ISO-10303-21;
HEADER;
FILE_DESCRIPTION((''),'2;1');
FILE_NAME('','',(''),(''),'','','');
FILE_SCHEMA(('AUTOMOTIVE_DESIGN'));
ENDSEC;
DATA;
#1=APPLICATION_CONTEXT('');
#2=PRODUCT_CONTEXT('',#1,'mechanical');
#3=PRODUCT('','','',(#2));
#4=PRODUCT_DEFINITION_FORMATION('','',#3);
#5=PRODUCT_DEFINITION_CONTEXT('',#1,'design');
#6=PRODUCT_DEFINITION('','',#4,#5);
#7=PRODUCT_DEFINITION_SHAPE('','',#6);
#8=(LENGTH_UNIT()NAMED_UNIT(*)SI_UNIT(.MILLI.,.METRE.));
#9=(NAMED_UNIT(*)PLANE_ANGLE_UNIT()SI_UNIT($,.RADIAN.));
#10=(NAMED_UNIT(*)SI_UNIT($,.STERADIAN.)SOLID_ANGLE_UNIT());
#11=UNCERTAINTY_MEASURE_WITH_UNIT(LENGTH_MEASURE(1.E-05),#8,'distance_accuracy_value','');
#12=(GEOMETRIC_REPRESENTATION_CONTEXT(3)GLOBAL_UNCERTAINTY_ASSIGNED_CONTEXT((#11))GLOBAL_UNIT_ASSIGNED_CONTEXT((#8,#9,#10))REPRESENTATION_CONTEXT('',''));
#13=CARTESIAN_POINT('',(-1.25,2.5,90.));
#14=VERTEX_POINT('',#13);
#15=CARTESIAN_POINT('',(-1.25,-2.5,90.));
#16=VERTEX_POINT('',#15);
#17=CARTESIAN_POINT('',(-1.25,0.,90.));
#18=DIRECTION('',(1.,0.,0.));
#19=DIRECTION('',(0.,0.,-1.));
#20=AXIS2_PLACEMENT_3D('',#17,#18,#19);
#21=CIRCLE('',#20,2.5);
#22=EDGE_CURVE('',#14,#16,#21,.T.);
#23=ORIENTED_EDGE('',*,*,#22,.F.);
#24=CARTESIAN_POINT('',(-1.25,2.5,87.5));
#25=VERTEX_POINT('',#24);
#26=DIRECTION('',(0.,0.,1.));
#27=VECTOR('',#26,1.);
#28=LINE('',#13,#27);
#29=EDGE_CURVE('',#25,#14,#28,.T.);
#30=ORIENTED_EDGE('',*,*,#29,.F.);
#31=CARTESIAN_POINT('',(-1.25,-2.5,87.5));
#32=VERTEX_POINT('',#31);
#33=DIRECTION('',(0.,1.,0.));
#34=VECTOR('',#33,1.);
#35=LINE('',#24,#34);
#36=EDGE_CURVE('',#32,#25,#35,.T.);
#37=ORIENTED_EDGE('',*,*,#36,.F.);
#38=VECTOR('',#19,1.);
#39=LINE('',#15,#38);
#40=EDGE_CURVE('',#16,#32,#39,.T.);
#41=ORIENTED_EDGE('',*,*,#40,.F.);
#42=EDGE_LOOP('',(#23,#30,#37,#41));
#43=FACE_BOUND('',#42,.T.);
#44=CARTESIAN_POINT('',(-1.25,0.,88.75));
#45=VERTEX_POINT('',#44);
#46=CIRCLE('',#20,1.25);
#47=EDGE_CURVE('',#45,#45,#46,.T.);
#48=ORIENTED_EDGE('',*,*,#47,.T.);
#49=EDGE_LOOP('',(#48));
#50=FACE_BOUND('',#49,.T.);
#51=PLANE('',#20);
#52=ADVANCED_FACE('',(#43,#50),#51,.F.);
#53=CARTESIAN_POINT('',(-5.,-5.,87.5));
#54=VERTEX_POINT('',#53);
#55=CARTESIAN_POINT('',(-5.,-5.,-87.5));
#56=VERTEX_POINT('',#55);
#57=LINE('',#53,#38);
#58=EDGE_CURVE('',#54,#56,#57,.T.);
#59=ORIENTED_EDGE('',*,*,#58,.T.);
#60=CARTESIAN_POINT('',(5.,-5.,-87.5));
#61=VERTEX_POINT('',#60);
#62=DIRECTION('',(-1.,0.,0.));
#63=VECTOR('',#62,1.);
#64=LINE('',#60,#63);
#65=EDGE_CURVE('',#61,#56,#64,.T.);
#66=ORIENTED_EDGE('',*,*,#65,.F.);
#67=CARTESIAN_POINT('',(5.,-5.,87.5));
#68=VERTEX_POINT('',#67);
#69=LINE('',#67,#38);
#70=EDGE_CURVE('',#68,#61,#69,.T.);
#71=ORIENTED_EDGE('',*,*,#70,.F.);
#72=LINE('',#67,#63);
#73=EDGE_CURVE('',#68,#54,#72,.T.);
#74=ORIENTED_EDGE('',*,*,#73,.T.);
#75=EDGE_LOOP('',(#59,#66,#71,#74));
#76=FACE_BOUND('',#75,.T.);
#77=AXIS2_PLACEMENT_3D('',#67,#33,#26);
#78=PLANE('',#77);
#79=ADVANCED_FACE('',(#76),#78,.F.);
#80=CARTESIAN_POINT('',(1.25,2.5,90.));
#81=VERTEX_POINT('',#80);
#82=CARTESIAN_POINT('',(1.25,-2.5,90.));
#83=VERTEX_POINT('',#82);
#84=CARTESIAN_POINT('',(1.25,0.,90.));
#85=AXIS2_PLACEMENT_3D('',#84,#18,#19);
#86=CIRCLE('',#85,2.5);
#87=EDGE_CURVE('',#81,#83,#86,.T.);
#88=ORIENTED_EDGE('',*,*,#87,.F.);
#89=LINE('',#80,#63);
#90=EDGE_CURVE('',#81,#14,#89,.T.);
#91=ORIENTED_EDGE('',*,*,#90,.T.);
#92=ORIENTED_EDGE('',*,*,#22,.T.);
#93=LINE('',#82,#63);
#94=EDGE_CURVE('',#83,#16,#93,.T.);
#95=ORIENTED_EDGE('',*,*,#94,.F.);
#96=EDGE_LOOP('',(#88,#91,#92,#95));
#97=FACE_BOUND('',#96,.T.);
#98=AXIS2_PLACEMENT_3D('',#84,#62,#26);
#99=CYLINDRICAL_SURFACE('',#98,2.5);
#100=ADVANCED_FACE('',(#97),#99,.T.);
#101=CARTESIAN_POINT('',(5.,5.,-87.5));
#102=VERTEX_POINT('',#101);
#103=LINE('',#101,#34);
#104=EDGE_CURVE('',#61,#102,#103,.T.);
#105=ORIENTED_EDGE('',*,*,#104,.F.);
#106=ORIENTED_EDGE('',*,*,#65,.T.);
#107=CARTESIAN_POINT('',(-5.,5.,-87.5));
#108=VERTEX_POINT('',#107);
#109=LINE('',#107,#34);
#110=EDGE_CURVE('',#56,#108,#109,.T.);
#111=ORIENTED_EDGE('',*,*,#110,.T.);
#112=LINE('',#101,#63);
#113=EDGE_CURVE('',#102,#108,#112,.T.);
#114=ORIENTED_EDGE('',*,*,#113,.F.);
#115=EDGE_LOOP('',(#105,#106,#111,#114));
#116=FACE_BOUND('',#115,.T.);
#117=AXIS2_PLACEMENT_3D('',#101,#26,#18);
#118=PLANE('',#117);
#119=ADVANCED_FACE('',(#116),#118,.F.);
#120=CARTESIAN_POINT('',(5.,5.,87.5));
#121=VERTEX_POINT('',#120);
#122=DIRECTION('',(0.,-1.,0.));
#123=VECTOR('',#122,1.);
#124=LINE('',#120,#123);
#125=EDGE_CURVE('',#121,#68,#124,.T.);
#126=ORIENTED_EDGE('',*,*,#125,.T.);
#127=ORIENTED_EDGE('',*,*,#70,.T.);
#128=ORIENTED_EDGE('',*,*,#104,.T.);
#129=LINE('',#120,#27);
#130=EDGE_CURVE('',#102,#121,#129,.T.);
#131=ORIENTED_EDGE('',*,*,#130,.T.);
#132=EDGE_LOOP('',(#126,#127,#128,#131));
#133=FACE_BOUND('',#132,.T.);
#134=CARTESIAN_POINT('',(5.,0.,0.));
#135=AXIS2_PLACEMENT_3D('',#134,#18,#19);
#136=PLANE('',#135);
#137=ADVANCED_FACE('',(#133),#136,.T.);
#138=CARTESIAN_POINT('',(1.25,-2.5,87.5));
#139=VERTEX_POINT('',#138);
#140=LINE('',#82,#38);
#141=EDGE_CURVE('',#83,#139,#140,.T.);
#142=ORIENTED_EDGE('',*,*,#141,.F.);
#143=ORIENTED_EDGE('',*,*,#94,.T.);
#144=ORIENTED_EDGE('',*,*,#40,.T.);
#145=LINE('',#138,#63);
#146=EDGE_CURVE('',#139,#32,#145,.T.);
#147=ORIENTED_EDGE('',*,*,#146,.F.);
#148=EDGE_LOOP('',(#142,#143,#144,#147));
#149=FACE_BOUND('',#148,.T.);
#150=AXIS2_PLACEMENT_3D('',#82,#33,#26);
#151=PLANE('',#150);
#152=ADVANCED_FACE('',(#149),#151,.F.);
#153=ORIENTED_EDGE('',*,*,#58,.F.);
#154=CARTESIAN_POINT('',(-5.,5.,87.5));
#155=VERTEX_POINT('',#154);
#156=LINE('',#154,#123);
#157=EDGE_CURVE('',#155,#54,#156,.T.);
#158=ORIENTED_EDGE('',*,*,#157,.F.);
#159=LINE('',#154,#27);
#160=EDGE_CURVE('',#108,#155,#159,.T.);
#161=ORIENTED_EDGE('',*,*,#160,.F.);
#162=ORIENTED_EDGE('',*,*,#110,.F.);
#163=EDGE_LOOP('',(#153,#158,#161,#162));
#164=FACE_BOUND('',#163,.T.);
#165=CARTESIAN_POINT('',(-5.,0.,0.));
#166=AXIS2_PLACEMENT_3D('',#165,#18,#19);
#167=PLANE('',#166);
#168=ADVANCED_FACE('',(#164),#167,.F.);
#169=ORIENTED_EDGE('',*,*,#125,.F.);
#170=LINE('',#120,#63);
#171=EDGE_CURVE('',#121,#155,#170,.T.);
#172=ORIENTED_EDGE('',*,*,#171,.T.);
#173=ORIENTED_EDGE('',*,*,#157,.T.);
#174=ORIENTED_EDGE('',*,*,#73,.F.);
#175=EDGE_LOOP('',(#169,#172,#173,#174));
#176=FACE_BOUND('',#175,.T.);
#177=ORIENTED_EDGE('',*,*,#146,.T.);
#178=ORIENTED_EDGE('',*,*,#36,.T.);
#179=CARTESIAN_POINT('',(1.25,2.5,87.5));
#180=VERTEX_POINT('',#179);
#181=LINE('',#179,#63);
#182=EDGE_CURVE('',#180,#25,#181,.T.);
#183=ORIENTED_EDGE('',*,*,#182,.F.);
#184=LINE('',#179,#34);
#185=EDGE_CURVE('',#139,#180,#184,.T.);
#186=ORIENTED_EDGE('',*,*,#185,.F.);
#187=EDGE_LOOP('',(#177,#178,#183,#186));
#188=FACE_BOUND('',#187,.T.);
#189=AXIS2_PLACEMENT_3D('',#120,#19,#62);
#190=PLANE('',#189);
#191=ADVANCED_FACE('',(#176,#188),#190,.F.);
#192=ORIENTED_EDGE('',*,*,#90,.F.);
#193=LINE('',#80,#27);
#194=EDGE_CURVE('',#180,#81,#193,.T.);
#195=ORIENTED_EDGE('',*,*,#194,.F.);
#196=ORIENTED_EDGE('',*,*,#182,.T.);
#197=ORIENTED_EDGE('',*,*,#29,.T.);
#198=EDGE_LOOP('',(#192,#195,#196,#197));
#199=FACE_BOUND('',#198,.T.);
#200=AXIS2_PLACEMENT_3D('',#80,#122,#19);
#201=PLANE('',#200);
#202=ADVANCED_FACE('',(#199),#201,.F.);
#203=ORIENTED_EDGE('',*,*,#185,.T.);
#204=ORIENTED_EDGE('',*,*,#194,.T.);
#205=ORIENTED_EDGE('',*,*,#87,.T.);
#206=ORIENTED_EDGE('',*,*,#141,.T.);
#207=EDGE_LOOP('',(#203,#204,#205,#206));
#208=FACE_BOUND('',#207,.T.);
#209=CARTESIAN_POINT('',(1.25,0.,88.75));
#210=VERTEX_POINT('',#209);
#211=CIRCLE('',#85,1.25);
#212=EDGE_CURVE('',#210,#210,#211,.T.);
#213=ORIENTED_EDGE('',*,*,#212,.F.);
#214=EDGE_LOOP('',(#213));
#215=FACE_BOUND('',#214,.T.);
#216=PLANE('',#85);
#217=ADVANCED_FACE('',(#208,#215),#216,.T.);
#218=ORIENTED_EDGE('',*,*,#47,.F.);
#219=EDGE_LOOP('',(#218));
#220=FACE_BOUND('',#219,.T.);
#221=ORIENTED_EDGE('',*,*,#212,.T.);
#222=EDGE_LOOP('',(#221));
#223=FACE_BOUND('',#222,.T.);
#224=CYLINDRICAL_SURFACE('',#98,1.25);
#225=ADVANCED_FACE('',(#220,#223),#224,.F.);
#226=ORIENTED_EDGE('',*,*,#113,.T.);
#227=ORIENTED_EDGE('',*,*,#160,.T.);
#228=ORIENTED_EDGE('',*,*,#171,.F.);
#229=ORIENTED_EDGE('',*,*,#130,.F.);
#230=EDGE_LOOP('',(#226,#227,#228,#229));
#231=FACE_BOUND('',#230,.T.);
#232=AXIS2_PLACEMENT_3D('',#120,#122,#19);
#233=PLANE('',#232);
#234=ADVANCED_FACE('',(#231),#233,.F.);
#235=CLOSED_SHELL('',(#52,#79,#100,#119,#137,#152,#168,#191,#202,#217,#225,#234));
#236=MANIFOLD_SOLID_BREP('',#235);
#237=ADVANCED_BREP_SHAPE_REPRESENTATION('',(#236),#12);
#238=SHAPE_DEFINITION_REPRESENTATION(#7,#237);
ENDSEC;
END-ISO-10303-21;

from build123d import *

# Parameters (mm, degrees)
SKETCH_2_W      = 175
SKETCH_2_H      = 10
EXTRUDE_1_DEPTH = 5
SKETCH_3_R      = 1.25
EXTRUDE_2_DEPTH = 1.25


with BuildPart() as part:
    # 스케치2 → 보스-돌출1 (new, symmetric)
    with BuildSketch(Plane(origin=(0, 0, 0), x_dir=(0, 0, -1), z_dir=(1, 0, 0))):
        Rectangle(SKETCH_2_W, SKETCH_2_H)
    extrude(amount=EXTRUDE_1_DEPTH, both=True)

    # 스케치3 → 보스-돌출2 (add, symmetric)
    with BuildSketch(Plane(origin=(0, 0, 0), x_dir=(0, 0, -1), z_dir=(1, 0, 0))):
        with BuildLine():
            Line((-90, 2.5), (-87.5, 2.5))
            Line((-87.5, 2.5), (-87.5, -2.5))
            Line((-87.5, -2.5), (-90, -2.5))
            ThreePointArc((-90, -2.5), (-92.5, 0), (-90, 2.5))
        make_face()
        with Locations((-90, 0)):
            Circle(SKETCH_3_R, mode=Mode.SUBTRACT)
    extrude(amount=EXTRUDE_2_DEPTH, both=True)


solid = part.part
